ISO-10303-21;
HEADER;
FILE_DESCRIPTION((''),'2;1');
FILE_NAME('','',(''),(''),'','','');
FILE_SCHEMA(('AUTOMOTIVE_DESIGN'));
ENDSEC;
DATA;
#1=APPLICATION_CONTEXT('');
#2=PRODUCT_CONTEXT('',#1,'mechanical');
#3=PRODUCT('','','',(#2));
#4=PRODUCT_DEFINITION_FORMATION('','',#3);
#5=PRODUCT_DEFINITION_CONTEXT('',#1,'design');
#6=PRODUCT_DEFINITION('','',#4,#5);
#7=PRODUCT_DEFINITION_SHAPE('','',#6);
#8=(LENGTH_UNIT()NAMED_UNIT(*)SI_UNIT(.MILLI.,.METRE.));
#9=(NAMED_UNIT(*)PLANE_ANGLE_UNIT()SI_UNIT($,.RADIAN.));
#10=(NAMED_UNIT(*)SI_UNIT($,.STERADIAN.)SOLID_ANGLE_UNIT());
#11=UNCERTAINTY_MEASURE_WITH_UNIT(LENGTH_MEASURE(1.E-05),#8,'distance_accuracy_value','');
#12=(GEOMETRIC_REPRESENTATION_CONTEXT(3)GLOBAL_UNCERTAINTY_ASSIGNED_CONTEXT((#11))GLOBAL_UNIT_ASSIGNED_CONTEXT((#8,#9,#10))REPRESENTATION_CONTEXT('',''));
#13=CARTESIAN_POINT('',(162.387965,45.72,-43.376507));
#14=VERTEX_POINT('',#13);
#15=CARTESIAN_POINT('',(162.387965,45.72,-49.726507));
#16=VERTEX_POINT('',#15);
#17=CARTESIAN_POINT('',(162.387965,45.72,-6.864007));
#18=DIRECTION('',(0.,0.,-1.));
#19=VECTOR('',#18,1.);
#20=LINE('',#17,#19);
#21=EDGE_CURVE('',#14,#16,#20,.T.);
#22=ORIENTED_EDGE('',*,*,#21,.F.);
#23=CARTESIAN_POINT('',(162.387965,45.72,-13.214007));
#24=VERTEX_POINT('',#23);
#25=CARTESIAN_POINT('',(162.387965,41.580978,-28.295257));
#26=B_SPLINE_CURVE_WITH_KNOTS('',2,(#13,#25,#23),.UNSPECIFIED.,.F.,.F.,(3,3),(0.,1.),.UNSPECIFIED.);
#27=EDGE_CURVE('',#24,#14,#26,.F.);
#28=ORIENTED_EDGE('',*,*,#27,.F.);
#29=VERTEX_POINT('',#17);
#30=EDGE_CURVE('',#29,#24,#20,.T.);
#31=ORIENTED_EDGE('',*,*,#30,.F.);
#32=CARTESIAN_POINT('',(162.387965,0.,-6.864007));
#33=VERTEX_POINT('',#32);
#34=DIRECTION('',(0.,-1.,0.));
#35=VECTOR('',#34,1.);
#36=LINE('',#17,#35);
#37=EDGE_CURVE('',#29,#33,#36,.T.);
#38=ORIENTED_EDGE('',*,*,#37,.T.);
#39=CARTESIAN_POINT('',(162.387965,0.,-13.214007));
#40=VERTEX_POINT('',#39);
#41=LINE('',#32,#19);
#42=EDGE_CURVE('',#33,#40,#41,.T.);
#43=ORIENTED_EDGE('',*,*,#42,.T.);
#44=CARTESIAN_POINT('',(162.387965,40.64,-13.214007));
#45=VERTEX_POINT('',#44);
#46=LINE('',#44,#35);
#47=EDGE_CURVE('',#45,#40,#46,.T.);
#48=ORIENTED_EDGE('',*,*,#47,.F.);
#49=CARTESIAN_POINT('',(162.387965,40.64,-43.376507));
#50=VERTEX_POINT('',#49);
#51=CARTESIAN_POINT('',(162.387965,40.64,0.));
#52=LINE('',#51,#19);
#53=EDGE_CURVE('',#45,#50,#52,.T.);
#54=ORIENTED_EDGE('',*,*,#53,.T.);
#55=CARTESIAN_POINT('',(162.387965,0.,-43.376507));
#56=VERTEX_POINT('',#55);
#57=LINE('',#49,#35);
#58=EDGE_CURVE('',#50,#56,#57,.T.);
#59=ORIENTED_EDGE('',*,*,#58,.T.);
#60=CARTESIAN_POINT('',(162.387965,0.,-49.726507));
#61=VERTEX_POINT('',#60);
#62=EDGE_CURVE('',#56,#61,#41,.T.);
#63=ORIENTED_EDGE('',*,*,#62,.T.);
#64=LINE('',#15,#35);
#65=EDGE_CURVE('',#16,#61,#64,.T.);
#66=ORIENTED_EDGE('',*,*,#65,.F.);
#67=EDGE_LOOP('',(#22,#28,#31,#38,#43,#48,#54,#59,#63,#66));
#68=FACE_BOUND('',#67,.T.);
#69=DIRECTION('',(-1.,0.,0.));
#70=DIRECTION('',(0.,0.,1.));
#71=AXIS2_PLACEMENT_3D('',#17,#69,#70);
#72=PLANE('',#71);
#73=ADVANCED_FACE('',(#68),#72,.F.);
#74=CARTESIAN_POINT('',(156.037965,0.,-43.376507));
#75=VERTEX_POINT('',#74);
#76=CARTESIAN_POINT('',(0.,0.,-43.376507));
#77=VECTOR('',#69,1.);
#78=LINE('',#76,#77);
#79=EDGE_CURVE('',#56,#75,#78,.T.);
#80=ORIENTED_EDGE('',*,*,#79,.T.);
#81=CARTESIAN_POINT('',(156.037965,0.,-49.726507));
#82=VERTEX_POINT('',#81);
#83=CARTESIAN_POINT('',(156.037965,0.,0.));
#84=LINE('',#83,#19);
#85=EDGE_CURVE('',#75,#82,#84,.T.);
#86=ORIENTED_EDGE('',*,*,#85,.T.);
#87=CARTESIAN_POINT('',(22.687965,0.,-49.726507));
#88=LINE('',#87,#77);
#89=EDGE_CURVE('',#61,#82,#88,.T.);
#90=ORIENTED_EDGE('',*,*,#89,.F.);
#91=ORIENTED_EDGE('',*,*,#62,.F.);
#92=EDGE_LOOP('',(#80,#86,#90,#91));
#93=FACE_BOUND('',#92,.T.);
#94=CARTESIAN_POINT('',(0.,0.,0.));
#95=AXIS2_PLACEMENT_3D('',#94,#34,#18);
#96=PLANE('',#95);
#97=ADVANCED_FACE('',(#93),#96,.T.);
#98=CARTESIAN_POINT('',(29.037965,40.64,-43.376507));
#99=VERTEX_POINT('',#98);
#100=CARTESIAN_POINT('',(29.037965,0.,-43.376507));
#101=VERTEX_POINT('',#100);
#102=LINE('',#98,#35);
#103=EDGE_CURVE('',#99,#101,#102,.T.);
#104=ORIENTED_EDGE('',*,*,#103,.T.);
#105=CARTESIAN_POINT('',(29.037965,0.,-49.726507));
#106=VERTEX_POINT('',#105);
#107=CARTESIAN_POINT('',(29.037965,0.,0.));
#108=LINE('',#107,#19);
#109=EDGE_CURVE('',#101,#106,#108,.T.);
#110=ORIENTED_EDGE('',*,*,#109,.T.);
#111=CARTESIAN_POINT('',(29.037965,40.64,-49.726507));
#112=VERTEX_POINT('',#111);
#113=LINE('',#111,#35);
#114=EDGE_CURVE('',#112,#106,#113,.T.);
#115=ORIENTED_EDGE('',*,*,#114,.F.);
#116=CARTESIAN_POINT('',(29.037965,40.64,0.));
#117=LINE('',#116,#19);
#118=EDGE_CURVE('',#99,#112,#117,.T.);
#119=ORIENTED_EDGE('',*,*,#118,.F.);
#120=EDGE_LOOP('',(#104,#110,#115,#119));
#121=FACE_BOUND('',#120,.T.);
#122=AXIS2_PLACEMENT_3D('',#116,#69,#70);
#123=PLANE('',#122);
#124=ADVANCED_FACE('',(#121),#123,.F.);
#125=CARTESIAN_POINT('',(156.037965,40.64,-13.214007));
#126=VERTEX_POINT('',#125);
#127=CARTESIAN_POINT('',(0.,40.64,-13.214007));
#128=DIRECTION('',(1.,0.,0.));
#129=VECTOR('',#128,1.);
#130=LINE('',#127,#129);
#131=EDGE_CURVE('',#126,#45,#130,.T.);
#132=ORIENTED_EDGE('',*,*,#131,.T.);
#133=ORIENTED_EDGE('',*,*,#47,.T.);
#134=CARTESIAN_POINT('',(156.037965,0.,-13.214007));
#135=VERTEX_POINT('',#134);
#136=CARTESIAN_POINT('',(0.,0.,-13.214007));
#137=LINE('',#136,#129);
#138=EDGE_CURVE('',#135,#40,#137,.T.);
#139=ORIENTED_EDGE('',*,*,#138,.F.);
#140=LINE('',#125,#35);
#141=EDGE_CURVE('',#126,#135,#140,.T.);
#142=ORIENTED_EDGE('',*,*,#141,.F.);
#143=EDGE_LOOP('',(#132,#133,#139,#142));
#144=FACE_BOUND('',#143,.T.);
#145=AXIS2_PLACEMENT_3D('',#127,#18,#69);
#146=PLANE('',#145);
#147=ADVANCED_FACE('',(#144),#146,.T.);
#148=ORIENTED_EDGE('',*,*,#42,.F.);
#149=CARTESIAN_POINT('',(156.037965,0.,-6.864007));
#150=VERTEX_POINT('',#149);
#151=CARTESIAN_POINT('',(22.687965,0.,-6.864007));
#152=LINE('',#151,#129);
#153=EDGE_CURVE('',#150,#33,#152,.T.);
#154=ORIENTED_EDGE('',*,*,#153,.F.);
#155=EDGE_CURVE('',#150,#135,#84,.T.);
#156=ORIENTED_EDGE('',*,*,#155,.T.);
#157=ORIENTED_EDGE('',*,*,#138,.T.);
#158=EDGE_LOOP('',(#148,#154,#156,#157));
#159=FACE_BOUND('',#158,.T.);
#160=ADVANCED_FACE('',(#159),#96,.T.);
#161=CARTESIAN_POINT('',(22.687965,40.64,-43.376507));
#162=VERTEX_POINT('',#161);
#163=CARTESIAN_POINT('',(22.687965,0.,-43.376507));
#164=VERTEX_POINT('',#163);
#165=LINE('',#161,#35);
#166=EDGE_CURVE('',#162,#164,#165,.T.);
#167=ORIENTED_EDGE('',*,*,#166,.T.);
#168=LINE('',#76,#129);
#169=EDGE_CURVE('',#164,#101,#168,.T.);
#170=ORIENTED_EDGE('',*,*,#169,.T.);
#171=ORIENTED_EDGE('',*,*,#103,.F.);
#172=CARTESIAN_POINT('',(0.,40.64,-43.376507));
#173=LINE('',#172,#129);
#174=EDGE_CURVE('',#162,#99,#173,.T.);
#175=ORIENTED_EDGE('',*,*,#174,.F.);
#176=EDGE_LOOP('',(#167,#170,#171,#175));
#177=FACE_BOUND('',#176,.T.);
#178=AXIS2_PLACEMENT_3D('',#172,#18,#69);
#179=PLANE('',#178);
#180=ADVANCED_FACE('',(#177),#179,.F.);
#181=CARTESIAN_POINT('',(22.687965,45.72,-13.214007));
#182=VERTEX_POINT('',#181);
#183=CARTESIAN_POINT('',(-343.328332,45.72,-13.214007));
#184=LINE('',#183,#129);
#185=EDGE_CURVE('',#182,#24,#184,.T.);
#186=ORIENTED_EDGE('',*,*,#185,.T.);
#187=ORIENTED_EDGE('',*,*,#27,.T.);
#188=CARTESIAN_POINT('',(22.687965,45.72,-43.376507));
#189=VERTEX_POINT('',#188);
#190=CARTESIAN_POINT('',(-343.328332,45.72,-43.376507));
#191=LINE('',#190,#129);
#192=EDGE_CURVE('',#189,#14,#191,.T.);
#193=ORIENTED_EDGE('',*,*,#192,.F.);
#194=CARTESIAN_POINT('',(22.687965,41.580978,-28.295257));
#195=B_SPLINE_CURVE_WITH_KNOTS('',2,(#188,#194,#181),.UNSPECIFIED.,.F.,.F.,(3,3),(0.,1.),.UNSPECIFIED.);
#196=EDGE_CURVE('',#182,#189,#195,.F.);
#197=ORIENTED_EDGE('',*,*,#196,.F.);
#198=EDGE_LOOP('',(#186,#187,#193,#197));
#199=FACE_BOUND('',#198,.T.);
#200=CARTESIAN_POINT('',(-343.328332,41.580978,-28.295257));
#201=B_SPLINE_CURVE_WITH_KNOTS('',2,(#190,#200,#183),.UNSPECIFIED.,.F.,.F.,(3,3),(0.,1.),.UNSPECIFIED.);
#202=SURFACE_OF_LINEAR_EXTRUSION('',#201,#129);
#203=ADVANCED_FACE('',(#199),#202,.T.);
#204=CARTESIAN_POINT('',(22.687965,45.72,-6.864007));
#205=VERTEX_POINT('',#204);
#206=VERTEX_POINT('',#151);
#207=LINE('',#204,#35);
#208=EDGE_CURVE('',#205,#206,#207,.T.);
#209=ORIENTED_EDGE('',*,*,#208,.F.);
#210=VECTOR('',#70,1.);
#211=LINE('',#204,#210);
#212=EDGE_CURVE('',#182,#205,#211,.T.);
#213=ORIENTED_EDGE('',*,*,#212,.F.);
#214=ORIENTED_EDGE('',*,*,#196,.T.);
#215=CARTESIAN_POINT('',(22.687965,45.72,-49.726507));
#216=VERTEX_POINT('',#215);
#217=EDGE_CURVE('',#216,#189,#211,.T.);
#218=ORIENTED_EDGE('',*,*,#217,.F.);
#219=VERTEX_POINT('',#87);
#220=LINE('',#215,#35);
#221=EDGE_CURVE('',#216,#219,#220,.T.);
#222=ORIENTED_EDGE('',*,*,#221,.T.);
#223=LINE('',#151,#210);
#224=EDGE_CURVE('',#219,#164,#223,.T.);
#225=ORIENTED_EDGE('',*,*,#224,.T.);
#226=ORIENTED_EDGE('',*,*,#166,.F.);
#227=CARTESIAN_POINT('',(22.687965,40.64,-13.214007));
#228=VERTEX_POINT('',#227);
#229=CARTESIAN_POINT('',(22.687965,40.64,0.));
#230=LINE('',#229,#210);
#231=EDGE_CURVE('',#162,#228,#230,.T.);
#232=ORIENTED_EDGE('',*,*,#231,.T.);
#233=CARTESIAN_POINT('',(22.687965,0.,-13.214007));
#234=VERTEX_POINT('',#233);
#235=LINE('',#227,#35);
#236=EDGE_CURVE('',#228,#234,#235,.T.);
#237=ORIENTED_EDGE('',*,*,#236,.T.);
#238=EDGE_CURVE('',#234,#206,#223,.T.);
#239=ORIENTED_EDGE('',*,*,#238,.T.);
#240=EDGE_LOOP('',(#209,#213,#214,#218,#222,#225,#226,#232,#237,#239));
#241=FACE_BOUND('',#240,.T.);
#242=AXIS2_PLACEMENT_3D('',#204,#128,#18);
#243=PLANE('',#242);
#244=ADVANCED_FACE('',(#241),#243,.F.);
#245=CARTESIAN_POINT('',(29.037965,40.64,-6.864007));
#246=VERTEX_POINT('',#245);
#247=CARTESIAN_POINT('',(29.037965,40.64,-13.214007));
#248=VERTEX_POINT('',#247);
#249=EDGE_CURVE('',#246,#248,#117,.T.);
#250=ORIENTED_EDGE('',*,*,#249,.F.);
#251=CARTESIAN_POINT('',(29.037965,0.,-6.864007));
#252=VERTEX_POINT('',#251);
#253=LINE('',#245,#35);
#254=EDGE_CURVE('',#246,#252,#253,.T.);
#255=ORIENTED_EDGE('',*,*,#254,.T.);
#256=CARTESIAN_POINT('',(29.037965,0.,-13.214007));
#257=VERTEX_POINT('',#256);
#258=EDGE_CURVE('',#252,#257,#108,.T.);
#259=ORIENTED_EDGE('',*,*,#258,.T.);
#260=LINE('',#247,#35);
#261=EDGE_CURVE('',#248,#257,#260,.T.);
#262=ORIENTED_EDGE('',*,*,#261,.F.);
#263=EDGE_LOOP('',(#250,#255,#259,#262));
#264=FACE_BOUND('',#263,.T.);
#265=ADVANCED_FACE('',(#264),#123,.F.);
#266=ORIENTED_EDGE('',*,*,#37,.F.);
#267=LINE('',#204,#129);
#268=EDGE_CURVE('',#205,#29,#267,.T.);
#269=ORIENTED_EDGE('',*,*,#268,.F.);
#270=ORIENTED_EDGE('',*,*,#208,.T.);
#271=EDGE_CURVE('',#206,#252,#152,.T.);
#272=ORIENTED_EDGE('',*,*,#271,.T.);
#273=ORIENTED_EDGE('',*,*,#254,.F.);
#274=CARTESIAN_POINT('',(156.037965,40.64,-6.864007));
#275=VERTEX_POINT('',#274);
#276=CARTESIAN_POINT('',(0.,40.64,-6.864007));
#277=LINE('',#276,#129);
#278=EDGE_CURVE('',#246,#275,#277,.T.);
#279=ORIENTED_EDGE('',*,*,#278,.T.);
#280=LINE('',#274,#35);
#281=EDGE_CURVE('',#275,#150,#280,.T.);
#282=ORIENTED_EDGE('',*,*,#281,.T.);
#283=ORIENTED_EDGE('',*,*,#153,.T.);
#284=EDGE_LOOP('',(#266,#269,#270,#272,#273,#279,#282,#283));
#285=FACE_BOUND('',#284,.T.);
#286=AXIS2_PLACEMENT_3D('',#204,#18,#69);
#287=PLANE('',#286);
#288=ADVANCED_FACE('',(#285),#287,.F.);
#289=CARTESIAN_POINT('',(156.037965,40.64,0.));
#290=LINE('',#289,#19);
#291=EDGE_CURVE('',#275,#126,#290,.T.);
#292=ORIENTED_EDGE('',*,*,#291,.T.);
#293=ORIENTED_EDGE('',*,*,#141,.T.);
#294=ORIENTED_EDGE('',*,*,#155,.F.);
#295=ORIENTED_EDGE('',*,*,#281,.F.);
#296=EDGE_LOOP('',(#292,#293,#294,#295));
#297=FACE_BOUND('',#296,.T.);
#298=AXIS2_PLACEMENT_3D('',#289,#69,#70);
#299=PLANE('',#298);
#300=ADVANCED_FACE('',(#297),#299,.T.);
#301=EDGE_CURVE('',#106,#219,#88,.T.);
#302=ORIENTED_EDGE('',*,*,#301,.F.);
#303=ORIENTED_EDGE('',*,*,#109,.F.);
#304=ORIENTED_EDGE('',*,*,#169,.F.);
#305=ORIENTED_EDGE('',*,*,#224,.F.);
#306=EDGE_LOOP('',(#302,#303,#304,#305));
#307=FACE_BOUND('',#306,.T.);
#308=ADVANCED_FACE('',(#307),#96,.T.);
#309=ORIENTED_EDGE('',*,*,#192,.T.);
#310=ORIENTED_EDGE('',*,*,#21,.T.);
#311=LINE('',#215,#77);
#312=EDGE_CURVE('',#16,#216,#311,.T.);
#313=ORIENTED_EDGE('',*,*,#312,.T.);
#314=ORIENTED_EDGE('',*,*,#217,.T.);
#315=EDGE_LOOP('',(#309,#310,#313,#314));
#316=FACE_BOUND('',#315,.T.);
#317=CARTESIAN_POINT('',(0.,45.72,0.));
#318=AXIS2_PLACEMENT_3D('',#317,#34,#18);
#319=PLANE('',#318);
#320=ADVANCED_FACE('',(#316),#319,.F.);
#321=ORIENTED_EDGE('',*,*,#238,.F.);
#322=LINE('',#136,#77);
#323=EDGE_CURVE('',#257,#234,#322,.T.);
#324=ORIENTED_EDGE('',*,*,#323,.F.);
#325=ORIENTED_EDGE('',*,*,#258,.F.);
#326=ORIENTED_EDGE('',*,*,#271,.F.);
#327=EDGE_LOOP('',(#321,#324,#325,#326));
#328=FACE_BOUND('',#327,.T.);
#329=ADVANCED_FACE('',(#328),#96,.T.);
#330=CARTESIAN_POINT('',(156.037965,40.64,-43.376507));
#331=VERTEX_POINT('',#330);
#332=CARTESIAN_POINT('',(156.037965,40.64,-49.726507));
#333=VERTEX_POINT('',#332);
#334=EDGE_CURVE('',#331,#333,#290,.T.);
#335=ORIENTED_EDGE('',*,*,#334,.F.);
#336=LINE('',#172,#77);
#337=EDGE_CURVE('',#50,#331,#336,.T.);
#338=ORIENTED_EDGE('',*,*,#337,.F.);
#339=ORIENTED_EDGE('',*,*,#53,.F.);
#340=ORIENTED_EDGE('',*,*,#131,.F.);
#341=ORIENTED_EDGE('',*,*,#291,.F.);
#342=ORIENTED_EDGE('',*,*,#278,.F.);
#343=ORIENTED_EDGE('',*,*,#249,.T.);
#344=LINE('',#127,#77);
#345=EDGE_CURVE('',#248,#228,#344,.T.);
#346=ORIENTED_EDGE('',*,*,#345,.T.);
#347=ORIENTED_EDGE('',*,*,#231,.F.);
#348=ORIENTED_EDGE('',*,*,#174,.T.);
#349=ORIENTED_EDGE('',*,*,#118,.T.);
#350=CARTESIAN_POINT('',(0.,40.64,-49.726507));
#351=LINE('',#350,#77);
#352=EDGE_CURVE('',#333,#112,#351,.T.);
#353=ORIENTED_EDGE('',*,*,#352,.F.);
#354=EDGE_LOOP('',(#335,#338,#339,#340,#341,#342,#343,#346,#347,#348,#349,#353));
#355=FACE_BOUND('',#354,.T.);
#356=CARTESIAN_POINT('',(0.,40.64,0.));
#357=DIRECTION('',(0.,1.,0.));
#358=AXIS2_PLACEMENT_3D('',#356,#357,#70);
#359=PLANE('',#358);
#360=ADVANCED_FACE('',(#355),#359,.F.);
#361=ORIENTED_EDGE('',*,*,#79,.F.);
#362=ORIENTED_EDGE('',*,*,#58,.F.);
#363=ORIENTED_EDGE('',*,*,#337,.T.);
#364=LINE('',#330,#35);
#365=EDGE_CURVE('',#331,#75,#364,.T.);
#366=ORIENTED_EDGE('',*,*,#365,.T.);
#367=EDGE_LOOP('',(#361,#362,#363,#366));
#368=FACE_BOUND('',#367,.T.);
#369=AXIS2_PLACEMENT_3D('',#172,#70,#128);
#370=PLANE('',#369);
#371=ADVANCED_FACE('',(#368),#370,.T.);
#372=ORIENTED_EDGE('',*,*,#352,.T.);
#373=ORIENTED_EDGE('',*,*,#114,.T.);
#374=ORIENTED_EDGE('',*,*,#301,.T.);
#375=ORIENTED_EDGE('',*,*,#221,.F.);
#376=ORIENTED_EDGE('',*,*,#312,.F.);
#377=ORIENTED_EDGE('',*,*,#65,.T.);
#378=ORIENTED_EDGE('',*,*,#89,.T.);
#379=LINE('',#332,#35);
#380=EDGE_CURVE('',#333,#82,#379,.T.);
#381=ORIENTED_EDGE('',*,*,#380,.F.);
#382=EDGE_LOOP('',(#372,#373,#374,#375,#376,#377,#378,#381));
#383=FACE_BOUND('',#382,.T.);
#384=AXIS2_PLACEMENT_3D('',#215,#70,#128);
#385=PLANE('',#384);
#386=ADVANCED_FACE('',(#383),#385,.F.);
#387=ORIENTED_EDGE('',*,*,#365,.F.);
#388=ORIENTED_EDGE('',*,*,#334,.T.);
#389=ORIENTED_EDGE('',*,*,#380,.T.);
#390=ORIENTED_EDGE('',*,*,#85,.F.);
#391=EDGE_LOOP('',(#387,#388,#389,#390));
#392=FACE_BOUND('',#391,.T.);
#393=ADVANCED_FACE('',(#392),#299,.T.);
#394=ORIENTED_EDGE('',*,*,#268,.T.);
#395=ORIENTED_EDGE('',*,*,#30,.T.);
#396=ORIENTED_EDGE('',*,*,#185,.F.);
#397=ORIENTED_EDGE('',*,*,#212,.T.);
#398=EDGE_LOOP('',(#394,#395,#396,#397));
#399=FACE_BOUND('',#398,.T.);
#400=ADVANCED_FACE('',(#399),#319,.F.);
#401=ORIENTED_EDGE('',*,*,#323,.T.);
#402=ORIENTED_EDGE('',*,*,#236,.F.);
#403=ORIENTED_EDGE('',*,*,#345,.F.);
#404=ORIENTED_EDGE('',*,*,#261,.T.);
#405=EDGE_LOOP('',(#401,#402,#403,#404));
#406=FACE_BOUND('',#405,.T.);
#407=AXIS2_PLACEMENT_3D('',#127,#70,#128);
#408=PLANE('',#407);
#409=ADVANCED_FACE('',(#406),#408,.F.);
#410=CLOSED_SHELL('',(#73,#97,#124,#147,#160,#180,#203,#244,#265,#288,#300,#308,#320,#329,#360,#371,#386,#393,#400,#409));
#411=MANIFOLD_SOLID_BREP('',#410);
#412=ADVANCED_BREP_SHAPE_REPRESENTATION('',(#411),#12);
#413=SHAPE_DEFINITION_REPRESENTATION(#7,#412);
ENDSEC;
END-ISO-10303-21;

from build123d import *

# Parameters (mm, degrees)
SKETCH1_W               = 139.7
SKETCH1_H               = 42.8625
BOSS_EXTRUDE1_DEPTH     = 45.72
CUT_EXTRUDE2_DEPTH      = 40.64
CUT_EXTRUDE3_DEPTH      = 1
CUT_EXTRUDE3_DEPTH_BACK = 139.7


with BuildPart() as part:
    # Sketch1 → Boss-Extrude1 (new body)
    with BuildSketch(Plane(origin=(0, 0, 0), x_dir=(1, 0, 0), z_dir=(0, 1, 0))):
        with Locations((92.537965446, 28.29525747)):
            Rectangle(SKETCH1_W, SKETCH1_H)
    extrude(amount=BOSS_EXTRUDE1_DEPTH)

    # Sketch7 → Cut-Extrude2 (cut)
    with BuildSketch(Plane(origin=(0, 0, 0), x_dir=(1, 0, 0), z_dir=(0, 1, 0))):
        Polygon((22.687965446, 43.37650747), (29.037965446, 43.37650747), (29.037965446, 49.72650747), (156.037965446, 49.72650747), (156.037965446, 43.37650747), (162.387965446, 43.37650747), (162.387965446, 13.21400747), (156.037965446, 13.21400747), (156.037965446, 6.86400747), (29.037965446, 6.86400747), (29.037965446, 13.21400747), (22.687965446, 13.21400747), align=None)
    extrude(amount=CUT_EXTRUDE2_DEPTH, mode=Mode.SUBTRACT)

    # Sketch8 → Cut-Extrude3 (cut, two sides)
    with BuildSketch(Plane.ZY.offset(-22.687965446)) as cut_extrude3_sk:
        with BuildLine():
            Line((-13.21400747, 45.72), (-43.37650747, 45.72))
            add(Edge.make_bspline(
                [(-43.37650747, 45.72), (-28.29525747, 41.58097799), (-13.21400747, 45.72)],
                knots=[0, 0, 0, 1, 1, 1], degree=2))
        make_face()
    extrude(amount=CUT_EXTRUDE3_DEPTH, mode=Mode.SUBTRACT)
    extrude(cut_extrude3_sk.sketch, amount=-CUT_EXTRUDE3_DEPTH_BACK, mode=Mode.SUBTRACT)


solid = part.part
